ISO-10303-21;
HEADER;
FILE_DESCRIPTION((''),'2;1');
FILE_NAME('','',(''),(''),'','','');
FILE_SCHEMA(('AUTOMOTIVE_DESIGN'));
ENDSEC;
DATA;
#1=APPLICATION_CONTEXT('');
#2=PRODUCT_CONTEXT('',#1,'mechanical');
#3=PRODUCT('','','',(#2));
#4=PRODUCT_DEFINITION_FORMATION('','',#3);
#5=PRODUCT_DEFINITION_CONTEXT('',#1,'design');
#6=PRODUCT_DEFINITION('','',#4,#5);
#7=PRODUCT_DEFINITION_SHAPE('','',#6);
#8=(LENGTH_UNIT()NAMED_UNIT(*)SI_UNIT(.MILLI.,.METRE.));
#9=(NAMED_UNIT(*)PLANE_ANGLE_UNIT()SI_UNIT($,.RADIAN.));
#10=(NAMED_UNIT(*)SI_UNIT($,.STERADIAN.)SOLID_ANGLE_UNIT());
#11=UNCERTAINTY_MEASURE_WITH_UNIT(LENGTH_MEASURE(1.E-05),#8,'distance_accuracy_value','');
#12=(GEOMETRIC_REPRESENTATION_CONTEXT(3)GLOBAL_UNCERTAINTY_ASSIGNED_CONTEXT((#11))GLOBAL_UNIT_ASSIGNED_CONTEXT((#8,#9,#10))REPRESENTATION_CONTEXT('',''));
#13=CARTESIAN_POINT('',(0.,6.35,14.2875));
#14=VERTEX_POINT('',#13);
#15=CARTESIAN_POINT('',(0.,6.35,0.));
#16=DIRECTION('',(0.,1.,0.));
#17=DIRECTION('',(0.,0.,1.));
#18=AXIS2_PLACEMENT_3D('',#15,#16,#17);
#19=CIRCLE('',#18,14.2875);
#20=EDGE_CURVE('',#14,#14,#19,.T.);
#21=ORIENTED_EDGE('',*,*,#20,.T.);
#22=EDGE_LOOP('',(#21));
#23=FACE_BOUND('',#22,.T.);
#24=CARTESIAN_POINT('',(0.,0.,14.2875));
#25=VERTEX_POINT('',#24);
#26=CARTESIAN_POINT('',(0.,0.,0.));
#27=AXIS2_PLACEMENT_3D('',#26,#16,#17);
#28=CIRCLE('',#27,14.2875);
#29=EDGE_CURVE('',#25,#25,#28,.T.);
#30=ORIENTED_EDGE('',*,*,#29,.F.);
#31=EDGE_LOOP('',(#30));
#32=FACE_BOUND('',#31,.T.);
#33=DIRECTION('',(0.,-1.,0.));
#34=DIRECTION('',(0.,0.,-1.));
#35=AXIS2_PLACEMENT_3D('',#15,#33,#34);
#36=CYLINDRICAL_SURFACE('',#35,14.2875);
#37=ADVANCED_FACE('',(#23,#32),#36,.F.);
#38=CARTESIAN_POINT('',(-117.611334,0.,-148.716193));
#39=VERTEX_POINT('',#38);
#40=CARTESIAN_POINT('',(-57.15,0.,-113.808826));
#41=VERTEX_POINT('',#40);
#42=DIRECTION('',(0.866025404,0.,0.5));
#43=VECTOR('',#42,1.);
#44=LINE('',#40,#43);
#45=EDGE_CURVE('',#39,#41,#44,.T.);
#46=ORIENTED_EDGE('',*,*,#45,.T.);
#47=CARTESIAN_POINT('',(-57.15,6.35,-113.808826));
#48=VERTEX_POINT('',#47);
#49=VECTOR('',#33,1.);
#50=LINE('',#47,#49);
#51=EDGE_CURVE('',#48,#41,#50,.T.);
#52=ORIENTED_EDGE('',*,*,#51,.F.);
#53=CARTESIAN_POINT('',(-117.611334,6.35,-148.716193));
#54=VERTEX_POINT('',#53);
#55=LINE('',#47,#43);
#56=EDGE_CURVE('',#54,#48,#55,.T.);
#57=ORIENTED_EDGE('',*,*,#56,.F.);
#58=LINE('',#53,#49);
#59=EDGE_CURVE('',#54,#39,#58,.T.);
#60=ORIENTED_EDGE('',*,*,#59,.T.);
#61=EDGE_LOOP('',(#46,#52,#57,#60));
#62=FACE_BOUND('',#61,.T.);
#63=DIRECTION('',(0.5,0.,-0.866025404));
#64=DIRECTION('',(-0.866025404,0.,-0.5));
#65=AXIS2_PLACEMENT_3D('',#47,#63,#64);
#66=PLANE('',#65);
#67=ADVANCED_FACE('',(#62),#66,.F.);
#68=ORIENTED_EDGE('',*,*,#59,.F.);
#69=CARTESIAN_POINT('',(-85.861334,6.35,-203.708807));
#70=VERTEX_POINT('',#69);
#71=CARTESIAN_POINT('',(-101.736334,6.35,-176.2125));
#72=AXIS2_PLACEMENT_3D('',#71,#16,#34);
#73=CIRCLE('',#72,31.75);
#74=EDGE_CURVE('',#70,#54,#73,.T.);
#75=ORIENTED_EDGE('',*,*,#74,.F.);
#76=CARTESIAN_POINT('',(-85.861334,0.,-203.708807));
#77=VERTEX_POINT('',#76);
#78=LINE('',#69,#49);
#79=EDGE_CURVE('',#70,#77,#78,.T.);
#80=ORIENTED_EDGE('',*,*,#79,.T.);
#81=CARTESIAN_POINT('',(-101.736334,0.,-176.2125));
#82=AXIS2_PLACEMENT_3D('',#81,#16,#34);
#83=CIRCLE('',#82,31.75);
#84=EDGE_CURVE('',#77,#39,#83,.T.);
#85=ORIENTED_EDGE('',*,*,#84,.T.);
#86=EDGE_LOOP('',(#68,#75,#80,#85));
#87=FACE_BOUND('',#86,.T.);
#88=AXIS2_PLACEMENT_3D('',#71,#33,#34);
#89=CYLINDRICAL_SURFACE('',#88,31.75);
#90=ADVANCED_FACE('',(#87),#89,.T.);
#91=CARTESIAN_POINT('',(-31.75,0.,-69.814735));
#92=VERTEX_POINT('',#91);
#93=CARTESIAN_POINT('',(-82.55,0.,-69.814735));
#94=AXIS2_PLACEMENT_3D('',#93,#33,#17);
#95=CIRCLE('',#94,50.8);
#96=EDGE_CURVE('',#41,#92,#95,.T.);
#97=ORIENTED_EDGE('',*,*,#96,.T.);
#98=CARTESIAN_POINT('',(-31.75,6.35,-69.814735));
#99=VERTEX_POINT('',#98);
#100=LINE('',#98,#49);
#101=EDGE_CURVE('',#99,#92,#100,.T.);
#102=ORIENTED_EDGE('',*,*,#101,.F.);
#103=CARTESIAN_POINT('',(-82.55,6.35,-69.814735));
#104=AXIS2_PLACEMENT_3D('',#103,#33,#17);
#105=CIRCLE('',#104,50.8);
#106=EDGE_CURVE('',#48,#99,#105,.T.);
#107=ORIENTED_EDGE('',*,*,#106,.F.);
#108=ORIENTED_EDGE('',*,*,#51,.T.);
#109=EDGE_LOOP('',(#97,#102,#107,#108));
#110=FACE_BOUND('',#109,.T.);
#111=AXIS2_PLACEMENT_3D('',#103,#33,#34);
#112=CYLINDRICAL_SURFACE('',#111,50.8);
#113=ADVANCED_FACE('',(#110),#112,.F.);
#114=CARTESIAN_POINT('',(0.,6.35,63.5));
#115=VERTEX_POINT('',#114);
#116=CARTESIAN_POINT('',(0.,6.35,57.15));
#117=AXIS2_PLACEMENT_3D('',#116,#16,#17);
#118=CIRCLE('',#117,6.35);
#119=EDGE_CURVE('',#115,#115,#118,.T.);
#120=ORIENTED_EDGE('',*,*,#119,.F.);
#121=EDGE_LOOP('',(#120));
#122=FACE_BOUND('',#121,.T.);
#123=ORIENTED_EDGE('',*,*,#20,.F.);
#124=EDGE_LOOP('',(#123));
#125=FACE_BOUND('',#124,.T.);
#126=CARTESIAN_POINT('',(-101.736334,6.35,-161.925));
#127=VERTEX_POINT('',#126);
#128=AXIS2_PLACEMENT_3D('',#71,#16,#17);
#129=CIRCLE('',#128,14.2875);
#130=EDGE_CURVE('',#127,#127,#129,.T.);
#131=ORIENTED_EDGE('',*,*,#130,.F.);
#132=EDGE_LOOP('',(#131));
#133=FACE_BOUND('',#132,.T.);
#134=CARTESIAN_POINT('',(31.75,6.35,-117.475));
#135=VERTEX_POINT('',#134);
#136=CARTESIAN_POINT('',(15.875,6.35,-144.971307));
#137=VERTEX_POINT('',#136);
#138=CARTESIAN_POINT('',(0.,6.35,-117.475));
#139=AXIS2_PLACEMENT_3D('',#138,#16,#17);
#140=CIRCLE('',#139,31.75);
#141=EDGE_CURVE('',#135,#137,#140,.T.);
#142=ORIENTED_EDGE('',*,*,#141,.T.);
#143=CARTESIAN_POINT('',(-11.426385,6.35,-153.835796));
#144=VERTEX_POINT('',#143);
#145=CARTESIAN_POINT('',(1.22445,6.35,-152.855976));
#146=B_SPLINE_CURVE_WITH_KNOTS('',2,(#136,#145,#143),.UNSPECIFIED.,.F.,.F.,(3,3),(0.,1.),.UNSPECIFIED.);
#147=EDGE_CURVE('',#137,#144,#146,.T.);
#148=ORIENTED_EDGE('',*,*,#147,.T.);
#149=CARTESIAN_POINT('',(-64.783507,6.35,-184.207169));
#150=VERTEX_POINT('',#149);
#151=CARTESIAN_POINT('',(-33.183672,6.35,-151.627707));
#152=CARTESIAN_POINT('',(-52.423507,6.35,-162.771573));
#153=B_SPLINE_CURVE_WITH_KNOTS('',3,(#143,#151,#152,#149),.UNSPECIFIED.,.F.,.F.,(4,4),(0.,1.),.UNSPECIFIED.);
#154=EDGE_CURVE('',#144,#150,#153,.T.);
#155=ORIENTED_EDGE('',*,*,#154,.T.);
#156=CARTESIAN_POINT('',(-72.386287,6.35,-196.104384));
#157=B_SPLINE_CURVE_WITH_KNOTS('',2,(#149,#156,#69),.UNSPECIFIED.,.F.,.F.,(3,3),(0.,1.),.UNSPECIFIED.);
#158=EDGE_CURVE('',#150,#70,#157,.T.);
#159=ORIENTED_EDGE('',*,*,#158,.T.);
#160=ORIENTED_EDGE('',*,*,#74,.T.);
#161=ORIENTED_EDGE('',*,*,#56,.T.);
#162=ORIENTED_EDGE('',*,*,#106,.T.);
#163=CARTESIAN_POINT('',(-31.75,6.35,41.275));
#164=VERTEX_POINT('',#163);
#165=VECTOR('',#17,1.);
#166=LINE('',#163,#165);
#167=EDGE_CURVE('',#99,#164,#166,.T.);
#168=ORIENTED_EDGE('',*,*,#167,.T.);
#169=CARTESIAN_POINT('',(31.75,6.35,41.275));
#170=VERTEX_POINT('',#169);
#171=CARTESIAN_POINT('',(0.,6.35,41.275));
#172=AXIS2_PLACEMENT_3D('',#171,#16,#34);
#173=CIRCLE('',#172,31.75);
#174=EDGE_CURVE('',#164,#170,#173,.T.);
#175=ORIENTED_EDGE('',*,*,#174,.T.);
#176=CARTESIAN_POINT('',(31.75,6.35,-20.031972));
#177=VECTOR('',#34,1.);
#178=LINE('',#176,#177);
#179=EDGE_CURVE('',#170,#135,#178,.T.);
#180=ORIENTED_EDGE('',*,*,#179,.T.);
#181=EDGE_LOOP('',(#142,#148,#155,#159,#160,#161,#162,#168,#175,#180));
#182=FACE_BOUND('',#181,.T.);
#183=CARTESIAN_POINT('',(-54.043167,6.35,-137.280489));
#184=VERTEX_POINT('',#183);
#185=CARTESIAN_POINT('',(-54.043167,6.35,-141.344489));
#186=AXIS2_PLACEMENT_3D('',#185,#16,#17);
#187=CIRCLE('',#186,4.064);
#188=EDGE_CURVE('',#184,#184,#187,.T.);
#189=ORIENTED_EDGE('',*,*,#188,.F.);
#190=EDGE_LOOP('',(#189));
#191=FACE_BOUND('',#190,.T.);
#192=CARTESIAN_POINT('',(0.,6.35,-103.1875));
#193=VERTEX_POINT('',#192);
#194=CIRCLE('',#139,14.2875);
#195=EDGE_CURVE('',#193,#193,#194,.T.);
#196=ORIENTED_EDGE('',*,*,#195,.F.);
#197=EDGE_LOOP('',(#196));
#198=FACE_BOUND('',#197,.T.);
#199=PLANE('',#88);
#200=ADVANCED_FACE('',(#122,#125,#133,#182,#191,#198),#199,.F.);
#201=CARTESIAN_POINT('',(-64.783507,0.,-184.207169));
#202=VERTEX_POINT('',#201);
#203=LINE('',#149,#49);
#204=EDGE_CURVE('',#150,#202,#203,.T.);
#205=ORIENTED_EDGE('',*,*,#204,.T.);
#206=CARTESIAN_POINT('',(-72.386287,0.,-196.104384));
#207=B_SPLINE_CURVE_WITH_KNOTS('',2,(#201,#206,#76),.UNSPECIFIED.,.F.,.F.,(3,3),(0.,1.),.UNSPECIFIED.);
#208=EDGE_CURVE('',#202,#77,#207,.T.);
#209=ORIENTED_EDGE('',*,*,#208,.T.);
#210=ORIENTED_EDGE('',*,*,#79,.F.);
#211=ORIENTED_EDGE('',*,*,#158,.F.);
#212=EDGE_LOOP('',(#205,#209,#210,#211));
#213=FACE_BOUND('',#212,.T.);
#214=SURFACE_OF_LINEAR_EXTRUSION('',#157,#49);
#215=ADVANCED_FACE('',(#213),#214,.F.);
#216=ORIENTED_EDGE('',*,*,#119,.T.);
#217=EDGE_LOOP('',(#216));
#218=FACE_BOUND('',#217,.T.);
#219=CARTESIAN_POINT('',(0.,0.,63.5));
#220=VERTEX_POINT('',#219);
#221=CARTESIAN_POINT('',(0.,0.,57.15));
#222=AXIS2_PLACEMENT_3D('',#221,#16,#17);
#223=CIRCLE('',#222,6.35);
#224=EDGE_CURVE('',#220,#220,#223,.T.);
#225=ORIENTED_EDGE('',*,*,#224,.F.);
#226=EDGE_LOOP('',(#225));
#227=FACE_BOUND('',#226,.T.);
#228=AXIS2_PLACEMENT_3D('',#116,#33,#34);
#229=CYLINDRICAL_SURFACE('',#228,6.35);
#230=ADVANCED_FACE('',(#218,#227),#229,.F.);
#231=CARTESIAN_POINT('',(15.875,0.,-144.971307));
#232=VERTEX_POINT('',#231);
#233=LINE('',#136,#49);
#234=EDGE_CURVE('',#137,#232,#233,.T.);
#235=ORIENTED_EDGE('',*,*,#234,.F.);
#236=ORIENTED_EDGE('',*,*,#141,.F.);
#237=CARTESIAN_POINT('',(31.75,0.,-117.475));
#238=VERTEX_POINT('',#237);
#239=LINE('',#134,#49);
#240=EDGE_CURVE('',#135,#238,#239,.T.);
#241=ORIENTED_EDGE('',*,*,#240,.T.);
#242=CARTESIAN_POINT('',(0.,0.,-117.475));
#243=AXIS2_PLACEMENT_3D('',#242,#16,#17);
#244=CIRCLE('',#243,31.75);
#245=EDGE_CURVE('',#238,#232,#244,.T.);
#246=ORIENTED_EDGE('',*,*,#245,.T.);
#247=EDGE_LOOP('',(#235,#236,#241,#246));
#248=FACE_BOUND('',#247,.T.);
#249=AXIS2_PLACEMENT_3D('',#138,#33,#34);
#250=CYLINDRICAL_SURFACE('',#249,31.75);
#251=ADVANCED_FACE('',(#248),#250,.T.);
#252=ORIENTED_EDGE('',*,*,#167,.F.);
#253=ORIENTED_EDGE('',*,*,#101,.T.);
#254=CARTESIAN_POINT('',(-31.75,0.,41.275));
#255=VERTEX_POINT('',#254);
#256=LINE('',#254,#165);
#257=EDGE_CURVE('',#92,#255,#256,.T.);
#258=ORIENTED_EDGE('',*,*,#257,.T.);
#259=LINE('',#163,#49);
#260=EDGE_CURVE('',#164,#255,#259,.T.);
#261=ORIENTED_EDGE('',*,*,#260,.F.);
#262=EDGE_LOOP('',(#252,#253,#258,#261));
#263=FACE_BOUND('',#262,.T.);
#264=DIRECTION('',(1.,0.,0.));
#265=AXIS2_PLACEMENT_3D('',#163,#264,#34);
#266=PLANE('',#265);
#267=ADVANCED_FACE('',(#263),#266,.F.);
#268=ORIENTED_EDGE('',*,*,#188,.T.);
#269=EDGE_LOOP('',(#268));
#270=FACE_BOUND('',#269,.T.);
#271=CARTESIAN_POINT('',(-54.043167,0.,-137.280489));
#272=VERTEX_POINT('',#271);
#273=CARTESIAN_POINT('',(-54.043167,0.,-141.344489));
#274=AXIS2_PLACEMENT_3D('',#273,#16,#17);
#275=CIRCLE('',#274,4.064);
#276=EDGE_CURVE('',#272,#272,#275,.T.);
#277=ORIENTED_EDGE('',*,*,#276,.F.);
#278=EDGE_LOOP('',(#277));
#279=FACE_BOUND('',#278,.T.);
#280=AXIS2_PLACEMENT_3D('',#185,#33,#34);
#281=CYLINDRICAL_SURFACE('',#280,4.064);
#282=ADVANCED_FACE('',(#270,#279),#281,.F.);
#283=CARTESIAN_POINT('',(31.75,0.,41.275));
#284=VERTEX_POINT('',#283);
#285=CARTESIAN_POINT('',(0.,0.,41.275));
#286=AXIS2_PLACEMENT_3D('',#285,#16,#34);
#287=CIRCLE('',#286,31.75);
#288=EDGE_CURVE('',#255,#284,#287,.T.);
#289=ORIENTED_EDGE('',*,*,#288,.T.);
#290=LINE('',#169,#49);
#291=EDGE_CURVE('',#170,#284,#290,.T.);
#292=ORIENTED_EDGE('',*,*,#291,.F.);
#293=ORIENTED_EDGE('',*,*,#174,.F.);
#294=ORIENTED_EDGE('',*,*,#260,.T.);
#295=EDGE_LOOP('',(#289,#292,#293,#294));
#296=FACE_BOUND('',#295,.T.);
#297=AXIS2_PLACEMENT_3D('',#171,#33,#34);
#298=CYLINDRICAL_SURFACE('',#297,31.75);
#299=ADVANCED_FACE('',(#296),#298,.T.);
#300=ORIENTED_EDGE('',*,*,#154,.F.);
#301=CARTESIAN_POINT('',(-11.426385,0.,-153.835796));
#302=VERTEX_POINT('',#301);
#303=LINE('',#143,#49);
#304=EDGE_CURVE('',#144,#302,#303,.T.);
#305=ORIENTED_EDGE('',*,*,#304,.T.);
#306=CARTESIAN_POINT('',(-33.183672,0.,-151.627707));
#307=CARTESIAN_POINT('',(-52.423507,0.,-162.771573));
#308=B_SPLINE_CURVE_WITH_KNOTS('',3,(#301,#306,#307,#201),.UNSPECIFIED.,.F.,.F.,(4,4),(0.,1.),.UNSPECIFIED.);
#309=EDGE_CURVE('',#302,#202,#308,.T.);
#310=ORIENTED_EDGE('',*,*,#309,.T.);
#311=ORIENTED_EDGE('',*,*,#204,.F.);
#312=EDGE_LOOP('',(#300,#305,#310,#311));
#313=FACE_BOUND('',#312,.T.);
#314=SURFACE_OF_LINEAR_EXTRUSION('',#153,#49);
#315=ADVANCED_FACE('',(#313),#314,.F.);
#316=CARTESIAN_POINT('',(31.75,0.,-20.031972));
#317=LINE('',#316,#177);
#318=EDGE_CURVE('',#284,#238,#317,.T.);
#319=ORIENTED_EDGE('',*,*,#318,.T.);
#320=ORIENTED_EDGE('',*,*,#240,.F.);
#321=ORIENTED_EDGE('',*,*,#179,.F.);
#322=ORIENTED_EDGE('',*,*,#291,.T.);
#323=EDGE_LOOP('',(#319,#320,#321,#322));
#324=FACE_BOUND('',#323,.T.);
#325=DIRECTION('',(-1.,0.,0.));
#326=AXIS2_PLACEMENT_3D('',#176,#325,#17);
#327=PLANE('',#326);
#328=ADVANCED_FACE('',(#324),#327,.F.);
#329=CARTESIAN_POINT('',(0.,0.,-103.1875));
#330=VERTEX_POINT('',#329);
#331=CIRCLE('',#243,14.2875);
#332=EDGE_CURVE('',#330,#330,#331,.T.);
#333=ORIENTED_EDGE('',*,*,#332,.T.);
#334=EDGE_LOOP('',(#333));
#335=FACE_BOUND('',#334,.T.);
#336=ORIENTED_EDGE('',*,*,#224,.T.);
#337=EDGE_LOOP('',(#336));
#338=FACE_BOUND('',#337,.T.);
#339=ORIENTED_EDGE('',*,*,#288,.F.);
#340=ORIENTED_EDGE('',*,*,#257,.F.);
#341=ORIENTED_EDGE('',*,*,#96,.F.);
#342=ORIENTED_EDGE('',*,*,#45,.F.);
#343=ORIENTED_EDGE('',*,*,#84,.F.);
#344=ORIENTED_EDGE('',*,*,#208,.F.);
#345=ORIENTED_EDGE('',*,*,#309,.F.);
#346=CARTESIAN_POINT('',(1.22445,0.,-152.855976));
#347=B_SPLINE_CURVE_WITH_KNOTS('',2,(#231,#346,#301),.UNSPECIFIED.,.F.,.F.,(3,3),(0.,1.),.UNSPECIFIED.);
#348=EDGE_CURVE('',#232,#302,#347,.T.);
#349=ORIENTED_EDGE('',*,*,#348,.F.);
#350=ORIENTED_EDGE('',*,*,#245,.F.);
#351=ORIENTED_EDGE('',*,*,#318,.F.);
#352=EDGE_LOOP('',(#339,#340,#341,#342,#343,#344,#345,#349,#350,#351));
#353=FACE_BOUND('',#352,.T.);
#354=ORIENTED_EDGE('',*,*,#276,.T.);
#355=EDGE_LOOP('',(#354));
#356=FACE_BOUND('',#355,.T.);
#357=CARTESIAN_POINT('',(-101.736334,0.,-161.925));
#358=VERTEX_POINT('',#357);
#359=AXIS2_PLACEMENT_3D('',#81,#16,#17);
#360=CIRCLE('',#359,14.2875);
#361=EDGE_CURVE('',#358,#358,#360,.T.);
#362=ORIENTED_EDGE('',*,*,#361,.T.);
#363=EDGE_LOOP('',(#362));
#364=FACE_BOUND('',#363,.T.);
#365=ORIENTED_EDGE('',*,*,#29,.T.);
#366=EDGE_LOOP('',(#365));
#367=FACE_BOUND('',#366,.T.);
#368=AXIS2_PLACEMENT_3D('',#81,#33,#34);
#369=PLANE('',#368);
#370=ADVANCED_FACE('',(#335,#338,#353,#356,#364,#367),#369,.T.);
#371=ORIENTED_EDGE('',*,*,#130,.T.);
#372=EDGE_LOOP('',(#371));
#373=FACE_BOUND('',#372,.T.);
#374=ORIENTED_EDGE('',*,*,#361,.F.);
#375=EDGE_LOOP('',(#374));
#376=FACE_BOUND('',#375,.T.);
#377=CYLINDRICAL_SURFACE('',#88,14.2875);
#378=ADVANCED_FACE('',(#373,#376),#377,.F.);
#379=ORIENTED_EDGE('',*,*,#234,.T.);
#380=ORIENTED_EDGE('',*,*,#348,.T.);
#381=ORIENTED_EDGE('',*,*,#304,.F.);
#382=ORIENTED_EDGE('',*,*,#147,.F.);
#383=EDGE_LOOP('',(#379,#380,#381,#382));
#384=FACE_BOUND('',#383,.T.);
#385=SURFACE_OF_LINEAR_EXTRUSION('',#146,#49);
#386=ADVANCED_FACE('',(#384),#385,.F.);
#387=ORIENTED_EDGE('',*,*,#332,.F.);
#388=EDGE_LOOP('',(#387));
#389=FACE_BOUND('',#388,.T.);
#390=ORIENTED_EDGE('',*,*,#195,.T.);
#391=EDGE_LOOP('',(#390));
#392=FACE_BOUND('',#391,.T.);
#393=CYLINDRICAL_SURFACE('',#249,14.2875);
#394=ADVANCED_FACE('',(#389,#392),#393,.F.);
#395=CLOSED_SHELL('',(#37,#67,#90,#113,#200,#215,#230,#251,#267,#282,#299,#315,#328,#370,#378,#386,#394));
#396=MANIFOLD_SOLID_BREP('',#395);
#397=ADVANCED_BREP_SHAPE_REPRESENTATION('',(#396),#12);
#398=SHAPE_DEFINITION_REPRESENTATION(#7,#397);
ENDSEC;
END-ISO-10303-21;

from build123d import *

# Parameters (mm, degrees)
SKETCH2_R           = 14.2875
SKETCH2_R_2         = 6.35
SKETCH2_R_3         = 4.064
BOSS_EXTRUDE1_DEPTH = 6.35


with BuildPart() as part:
    # Sketch2 → Boss-Extrude1 (new body)
    with BuildSketch(Plane(origin=(0, 0, 0), x_dir=(1, 0, 0), z_dir=(0, 1, 0))):
        with BuildLine():
            Line((31.75, 20.031971953), (31.75, 117.475))
            ThreePointArc((31.75, 117.475), (27.49630657, 133.35), (15.875, 144.97130657))
            add(Edge.make_bspline(
                [(-11.426385325, 153.835795689), (1.224450482, 152.855976047), (15.875, 144.97130657)],
                knots=[0, 0, 0, 1, 1, 1], degree=2))
            add(Edge.make_bspline(
                [(-64.783506655, 184.207168681), (-52.423507121, 162.771572898), (-33.18367174, 151.627706727), (-11.426385325, 153.835795689)],
                knots=[0, 0, 0, 0, 1, 1, 1, 1], degree=3))
            add(Edge.make_bspline(
                [(-85.86133431, 203.70880657), (-72.386286962, 196.104383794), (-64.783506655, 184.207168681)],
                knots=[0, 0, 0, 1, 1, 1], degree=2))
            ThreePointArc((-85.86133431, 203.70880657), (-129.23264088, 192.0875), (-117.61133431, 148.71619343))
            Line((-117.61133431, 148.71619343), (-57.15, 113.808825791))
            ThreePointArc((-57.15, 113.808825791), (-38.555909488, 95.214735278), (-31.75, 69.814735278))
            Line((-31.75, 69.814735278), (-31.75, -41.275))
            ThreePointArc((-31.75, -41.275), (0, -73.025), (31.75, -41.275))
            Line((31.75, -41.275), (31.75, 20.031971953))
        make_face()
        with Locations(Location((0, 0, 0), (0, 0, 270))):
            Circle(SKETCH2_R, mode=Mode.SUBTRACT)
        with Locations(Location((0, 117.475, 0), (0, 0, 270))):
            Circle(SKETCH2_R, mode=Mode.SUBTRACT)
        with Locations(Location((-101.73633431, 176.2125, 0), (0, 0, 270))):
            Circle(SKETCH2_R, mode=Mode.SUBTRACT)
        with Locations(Location((0, -57.15, 0), (0, 0, 270))):
            Circle(SKETCH2_R_2, mode=Mode.SUBTRACT)
        with Locations(Location((-54.043167155, 141.344488686, 0), (0, 0, 270))):
            Circle(SKETCH2_R_3, mode=Mode.SUBTRACT)
    extrude(amount=BOSS_EXTRUDE1_DEPTH)


solid = part.part
